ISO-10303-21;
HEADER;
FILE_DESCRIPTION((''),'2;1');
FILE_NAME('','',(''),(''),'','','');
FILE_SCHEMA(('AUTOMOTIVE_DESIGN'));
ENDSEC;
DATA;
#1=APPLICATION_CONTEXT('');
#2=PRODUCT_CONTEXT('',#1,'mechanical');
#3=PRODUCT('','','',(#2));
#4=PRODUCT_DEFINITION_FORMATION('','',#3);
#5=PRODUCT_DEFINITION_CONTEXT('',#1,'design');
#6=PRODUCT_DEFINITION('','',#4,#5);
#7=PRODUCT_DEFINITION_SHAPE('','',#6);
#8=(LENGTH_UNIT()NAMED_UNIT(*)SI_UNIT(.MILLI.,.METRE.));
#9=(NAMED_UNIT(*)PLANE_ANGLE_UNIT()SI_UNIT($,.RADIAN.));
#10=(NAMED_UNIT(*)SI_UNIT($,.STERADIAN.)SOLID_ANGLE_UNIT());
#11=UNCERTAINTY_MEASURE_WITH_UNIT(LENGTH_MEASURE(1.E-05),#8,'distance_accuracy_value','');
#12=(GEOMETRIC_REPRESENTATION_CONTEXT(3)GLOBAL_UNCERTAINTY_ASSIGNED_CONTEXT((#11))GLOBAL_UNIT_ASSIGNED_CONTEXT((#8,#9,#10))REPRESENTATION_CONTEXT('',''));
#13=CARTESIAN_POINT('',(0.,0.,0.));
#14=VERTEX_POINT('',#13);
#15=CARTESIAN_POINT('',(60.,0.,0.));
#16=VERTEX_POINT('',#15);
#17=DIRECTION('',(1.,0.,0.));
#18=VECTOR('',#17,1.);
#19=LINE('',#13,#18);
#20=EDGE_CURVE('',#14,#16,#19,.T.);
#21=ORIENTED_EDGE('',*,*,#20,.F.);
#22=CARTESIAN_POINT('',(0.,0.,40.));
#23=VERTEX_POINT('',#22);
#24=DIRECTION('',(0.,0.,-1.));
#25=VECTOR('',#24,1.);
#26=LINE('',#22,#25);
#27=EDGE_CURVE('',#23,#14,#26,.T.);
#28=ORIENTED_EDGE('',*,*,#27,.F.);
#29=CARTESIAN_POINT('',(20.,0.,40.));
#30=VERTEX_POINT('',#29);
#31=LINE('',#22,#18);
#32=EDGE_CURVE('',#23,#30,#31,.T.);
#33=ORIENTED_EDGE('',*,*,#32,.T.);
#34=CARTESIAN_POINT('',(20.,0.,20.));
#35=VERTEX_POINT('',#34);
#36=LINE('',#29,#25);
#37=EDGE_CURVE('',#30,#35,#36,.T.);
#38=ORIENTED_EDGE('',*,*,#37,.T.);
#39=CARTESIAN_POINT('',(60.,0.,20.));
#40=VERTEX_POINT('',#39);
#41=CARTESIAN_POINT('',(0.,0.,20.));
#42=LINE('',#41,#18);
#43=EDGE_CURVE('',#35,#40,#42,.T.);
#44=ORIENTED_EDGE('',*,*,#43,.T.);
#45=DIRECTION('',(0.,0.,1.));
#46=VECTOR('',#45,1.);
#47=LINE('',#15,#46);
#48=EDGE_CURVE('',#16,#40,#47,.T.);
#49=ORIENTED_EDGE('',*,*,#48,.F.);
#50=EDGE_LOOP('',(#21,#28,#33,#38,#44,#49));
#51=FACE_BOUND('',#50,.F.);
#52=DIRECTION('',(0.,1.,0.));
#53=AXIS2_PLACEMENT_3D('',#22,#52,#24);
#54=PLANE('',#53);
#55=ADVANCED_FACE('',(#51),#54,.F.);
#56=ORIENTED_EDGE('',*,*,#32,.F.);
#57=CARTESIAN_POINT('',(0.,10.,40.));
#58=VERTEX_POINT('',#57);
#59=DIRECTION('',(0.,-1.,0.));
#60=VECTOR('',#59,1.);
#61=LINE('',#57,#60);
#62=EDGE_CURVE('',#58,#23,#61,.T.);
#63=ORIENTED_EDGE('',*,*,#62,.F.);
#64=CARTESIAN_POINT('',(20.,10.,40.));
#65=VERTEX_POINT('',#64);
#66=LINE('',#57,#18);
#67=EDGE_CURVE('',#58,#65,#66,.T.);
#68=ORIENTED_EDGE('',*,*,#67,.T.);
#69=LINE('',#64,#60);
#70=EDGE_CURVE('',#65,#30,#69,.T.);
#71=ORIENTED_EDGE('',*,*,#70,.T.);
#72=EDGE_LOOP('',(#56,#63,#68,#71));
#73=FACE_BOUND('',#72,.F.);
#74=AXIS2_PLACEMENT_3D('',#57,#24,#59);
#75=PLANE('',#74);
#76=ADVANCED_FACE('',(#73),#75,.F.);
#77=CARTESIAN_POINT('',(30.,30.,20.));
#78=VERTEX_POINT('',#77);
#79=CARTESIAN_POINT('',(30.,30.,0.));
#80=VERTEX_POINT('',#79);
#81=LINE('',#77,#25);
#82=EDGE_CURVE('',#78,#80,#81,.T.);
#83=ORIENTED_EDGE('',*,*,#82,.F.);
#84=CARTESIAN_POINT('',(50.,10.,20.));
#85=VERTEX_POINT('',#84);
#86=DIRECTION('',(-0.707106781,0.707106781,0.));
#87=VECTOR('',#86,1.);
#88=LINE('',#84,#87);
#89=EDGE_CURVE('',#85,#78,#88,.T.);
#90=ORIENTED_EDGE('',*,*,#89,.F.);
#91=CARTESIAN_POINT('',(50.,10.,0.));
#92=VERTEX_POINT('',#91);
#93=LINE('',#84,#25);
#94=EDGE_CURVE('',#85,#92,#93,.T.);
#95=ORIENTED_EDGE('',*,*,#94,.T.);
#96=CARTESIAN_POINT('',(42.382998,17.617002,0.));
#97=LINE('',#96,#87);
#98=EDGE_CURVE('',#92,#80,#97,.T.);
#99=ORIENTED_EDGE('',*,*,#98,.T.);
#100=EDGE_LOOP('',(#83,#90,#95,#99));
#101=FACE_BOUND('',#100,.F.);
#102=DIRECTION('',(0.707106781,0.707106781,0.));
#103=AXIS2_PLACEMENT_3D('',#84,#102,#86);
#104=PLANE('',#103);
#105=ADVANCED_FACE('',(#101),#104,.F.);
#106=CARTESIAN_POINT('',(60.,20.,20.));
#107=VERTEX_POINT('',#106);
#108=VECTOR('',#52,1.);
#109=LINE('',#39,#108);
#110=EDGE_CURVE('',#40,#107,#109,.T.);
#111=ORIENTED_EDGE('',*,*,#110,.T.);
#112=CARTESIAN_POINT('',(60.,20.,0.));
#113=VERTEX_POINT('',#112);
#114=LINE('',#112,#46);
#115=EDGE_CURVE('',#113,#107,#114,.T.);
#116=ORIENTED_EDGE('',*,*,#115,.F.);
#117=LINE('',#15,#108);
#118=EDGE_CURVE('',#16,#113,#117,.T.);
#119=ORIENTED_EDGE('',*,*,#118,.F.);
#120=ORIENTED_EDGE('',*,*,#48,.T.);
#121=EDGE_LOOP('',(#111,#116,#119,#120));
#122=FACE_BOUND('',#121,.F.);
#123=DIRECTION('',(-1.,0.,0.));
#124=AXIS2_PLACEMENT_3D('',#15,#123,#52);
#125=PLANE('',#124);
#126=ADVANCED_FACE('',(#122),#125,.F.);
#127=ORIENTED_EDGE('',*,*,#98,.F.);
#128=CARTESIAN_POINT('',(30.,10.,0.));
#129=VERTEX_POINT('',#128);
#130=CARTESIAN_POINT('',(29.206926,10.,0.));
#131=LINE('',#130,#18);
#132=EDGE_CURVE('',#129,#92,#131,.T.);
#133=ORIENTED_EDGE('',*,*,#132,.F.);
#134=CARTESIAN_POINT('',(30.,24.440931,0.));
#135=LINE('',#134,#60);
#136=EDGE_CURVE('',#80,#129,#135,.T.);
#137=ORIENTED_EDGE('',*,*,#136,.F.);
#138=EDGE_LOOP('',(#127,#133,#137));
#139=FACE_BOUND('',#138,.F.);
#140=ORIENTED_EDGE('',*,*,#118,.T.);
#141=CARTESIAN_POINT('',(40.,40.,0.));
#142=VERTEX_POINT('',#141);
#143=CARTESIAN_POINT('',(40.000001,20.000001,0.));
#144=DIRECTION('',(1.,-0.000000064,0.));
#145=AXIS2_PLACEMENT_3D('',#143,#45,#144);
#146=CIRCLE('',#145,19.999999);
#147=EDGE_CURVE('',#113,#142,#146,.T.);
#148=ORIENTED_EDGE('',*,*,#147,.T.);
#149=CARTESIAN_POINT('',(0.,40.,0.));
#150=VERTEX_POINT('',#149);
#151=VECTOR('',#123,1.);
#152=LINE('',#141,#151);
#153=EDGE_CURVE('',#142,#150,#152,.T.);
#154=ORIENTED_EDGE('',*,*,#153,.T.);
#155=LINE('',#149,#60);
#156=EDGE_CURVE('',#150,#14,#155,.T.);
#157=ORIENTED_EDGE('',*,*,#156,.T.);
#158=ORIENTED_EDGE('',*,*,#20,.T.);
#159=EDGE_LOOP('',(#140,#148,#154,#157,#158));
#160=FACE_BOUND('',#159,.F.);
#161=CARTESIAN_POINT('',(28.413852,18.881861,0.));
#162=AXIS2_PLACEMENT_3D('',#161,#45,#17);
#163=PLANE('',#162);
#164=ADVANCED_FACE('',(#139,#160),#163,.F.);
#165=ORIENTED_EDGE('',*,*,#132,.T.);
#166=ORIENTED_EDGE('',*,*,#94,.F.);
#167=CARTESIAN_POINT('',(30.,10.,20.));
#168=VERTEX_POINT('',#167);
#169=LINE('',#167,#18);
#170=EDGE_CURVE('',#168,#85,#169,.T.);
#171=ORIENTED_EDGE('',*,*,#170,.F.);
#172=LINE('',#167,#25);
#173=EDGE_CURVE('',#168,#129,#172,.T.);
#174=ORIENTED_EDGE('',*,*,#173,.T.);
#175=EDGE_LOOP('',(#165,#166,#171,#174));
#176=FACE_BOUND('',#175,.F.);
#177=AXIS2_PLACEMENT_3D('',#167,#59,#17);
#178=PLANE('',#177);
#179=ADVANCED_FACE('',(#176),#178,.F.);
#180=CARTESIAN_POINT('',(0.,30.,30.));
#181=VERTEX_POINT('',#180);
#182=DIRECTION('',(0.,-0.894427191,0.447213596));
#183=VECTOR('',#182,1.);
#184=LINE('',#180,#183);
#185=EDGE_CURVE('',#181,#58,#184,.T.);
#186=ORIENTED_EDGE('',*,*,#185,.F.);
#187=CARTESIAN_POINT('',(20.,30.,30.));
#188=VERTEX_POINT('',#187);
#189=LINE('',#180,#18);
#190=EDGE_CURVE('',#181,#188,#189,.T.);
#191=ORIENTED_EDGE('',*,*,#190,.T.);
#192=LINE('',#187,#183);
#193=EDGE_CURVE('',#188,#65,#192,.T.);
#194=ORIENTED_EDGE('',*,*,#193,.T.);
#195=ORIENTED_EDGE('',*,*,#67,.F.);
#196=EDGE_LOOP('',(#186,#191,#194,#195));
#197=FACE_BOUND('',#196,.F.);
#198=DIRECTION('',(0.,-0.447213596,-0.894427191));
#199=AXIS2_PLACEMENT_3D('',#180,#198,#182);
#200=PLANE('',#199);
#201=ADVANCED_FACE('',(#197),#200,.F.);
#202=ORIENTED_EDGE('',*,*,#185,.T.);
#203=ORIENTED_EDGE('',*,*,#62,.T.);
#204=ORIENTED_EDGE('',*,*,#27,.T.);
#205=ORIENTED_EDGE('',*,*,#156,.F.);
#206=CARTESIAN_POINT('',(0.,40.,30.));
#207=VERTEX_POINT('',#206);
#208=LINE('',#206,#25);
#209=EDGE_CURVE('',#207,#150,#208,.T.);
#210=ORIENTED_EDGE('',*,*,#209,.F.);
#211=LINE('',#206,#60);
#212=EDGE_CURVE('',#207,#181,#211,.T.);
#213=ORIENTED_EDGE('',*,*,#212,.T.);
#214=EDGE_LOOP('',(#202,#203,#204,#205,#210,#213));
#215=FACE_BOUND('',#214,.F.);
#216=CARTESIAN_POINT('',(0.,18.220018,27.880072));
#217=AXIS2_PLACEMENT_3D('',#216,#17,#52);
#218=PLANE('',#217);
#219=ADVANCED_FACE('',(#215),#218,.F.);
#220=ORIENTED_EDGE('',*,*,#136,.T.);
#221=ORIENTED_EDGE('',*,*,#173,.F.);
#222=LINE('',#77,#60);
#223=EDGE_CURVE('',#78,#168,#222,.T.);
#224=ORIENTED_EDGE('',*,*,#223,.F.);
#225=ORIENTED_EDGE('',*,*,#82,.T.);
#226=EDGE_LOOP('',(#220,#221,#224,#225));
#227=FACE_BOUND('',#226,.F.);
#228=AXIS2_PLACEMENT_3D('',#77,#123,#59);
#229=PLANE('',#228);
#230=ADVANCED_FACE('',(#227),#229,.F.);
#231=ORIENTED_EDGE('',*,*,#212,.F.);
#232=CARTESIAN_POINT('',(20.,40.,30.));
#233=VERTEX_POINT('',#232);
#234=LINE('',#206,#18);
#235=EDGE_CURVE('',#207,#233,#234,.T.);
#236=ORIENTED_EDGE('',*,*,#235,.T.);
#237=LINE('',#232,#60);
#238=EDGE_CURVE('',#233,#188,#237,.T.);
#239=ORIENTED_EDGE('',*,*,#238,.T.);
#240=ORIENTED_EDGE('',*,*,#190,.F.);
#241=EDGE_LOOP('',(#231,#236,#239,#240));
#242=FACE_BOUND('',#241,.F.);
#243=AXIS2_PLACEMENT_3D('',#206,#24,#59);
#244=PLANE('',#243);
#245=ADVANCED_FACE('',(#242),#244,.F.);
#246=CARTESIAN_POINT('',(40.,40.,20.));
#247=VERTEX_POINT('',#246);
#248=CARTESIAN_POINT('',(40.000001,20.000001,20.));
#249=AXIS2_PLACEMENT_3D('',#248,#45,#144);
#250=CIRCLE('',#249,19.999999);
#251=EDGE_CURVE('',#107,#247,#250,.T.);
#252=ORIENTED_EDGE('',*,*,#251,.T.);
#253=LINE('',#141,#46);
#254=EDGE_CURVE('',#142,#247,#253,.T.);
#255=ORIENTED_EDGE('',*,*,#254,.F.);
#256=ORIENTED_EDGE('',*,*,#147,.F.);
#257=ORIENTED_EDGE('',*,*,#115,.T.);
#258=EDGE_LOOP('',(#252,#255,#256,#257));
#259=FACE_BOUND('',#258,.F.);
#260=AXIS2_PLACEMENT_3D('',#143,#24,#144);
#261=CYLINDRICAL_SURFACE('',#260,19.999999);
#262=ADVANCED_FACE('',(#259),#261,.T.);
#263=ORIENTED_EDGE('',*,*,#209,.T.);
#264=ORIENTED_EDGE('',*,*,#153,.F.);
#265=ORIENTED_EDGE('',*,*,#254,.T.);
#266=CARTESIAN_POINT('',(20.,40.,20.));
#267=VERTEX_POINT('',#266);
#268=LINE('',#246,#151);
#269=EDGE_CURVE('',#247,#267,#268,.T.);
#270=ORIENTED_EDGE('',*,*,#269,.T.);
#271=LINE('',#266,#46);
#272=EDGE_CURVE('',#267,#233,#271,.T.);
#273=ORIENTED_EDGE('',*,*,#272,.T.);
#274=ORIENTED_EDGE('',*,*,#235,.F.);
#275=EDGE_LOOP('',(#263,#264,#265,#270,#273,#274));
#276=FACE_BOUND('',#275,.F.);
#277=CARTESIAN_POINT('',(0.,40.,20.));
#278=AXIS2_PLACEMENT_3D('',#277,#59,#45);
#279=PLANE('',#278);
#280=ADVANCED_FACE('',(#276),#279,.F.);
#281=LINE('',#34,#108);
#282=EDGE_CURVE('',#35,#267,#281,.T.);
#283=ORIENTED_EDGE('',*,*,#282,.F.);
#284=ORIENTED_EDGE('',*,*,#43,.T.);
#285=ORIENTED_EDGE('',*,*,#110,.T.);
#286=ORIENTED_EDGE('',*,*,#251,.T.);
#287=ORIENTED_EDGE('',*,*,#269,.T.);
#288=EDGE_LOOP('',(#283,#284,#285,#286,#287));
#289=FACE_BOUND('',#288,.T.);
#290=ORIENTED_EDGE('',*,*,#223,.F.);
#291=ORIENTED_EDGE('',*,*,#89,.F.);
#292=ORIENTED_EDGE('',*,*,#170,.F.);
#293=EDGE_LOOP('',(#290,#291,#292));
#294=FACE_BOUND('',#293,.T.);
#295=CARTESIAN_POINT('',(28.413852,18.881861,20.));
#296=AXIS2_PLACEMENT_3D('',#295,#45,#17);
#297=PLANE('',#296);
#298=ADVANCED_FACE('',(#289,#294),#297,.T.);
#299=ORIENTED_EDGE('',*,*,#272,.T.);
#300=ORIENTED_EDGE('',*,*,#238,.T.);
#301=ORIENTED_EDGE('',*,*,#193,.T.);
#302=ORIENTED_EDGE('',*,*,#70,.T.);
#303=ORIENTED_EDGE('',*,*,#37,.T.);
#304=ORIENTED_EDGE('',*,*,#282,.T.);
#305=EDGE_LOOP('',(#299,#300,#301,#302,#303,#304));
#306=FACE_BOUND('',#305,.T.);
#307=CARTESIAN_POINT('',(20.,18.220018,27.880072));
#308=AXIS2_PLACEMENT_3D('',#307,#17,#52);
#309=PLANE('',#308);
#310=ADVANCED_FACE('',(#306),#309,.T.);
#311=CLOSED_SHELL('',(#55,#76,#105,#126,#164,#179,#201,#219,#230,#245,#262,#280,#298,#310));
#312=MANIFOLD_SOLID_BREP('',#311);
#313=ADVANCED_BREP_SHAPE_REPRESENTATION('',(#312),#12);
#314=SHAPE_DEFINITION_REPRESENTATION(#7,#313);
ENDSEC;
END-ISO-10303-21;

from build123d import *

# Parameters (mm, degrees)
F1_DEPTH = 20
F3_DEPTH = 20.001
F5_DEPTH = 20


with BuildPart() as f1:
    # F0 (on Top) → F1 (new body)
    with BuildSketch(Plane.XY):
        with BuildLine():
            Line((0, 40), (0, 0))
            Line((0, 0), (60, 0))
            Line((60, 0), (60, 20))
            ThreePointArc((60, 20), (54.142136, 34.142136), (40, 40))
            Line((40, 40), (0, 40))
        make_face()
    extrude(amount=F1_DEPTH)

    # F2 (on face) → F3 (cut, through all)
    with BuildSketch(Plane.XY.offset(20)):
        Polygon((50, 10), (30, 30), (30, 10), align=None)
    extrude(amount=-F3_DEPTH, mode=Mode.SUBTRACT)

    # F4 (on Right) → F5 (join)
    with BuildSketch(Plane.YZ):
        Polygon((0, 40), (0, 20), (40, 20), (40, 30), (30, 30), (10, 40), align=None)
    extrude(amount=F5_DEPTH)


solid = f1.part
